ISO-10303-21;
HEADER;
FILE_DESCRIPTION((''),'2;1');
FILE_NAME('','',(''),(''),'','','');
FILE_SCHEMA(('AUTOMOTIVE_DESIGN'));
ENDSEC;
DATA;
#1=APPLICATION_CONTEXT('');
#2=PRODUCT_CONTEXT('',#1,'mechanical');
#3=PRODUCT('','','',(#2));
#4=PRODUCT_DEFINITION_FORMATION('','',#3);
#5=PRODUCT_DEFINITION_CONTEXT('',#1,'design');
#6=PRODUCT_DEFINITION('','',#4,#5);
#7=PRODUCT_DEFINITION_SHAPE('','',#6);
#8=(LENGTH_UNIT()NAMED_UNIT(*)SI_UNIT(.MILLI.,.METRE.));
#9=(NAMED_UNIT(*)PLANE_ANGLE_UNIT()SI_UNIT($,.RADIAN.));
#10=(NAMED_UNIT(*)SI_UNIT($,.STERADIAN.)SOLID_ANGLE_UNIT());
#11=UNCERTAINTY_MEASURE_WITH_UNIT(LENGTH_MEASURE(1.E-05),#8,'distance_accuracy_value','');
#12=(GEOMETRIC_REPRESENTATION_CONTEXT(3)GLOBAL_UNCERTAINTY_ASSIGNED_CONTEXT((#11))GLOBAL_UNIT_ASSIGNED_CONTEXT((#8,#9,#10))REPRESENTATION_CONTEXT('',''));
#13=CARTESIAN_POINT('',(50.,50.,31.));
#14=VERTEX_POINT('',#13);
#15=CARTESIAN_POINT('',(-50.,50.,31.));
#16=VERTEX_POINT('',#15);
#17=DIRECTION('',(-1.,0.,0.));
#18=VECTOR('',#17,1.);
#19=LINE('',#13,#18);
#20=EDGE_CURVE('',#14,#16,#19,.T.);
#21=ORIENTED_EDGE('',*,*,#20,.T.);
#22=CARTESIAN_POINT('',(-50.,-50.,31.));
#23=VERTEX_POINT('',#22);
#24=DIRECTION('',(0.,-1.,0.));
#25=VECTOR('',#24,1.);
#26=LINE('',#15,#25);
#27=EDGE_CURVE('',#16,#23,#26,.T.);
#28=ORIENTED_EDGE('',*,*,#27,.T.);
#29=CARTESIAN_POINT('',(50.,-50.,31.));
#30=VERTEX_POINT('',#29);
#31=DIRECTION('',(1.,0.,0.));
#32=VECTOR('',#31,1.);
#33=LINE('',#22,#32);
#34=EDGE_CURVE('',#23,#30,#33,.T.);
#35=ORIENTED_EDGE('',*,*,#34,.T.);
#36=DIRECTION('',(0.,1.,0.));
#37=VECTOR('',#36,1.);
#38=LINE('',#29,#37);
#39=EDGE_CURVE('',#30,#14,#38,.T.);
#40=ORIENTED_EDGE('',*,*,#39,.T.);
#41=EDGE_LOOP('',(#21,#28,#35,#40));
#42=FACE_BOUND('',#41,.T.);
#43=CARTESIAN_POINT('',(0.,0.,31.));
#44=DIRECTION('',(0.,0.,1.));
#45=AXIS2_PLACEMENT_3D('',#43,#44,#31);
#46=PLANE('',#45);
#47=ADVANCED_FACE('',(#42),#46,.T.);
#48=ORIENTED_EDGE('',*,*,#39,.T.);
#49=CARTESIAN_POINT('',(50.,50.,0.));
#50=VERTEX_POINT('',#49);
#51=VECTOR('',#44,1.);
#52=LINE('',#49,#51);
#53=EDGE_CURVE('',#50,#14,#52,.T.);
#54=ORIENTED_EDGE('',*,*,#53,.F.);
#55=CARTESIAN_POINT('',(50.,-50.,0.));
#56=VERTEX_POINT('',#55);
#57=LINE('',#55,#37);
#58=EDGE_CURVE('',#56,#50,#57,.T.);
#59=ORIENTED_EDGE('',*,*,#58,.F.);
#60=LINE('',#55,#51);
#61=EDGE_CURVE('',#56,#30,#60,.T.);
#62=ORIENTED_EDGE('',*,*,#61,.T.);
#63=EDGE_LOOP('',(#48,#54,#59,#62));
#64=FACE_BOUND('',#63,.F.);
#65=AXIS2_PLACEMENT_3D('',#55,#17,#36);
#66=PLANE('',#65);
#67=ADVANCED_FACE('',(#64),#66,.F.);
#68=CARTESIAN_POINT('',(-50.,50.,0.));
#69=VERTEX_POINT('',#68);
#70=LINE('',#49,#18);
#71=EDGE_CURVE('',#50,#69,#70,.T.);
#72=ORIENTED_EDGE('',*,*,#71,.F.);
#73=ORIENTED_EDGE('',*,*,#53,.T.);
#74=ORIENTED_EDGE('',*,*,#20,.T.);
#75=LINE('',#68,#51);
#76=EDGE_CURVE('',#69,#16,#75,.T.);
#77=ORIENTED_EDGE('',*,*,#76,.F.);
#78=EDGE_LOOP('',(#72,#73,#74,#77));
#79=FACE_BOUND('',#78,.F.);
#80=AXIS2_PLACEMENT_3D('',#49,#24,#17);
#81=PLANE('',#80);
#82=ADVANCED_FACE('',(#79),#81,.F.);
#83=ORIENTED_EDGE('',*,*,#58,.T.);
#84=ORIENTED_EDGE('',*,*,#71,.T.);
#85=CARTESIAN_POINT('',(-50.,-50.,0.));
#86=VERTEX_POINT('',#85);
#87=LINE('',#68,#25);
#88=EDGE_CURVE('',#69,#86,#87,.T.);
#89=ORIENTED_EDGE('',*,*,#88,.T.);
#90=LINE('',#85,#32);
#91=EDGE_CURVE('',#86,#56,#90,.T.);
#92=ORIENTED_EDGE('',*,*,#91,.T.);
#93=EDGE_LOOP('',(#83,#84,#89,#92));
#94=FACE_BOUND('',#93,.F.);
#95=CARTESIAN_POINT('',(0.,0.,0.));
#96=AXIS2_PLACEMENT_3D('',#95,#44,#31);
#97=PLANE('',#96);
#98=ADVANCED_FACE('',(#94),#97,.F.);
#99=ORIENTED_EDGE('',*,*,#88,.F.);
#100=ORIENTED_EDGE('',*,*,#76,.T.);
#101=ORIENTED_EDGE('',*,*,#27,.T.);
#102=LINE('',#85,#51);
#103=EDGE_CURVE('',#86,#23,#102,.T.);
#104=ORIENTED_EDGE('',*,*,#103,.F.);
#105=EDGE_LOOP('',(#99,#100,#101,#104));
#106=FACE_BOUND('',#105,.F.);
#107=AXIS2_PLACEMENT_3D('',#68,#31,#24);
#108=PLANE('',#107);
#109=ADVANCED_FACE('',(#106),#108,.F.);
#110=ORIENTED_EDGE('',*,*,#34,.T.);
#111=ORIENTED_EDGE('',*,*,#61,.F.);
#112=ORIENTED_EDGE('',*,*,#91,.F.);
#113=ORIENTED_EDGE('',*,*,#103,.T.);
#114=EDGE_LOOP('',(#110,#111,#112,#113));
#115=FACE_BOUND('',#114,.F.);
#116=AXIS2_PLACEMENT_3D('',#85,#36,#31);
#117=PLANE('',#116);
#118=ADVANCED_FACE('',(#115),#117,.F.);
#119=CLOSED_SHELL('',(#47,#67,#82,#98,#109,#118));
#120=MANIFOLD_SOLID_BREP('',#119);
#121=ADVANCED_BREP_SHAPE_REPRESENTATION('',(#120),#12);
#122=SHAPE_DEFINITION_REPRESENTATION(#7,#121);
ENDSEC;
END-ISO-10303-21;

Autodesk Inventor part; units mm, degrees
ref_plane "YZ Plane" through (0, 0, 0) normal (1, 0, 0) x (0, 1, 0)
ref_plane "XZ Plane" through (0, 0, 0) normal (0, 1, 0) x (-1, 0, 0)
ref_plane "XY Plane" through (0, 0, 0) normal (0, 0, 1) x (1, 0, 0)
sketch "스케치1" plane through (0, 0, 0) normal (0, 0, 1) x (1, 0, 0)
  line L0 (-50, -50) -> (50, -50)
  line L1 (50, -50) -> (50, 50)
  line L2 (50, 50) -> (-50, 50)
  line L3 (-50, 50) -> (-50, -50)
  line L4 (-50, -50) -> (50, 50) construction
  line L5 (50, -50) -> (-50, 50) construction
  point P0 (0, 0)
  dimension "d0" = 100
  dimension "d1" = 100
extrude "돌출1" add sketch "스케치1" along normal blind 31
properties part number "테이블"
